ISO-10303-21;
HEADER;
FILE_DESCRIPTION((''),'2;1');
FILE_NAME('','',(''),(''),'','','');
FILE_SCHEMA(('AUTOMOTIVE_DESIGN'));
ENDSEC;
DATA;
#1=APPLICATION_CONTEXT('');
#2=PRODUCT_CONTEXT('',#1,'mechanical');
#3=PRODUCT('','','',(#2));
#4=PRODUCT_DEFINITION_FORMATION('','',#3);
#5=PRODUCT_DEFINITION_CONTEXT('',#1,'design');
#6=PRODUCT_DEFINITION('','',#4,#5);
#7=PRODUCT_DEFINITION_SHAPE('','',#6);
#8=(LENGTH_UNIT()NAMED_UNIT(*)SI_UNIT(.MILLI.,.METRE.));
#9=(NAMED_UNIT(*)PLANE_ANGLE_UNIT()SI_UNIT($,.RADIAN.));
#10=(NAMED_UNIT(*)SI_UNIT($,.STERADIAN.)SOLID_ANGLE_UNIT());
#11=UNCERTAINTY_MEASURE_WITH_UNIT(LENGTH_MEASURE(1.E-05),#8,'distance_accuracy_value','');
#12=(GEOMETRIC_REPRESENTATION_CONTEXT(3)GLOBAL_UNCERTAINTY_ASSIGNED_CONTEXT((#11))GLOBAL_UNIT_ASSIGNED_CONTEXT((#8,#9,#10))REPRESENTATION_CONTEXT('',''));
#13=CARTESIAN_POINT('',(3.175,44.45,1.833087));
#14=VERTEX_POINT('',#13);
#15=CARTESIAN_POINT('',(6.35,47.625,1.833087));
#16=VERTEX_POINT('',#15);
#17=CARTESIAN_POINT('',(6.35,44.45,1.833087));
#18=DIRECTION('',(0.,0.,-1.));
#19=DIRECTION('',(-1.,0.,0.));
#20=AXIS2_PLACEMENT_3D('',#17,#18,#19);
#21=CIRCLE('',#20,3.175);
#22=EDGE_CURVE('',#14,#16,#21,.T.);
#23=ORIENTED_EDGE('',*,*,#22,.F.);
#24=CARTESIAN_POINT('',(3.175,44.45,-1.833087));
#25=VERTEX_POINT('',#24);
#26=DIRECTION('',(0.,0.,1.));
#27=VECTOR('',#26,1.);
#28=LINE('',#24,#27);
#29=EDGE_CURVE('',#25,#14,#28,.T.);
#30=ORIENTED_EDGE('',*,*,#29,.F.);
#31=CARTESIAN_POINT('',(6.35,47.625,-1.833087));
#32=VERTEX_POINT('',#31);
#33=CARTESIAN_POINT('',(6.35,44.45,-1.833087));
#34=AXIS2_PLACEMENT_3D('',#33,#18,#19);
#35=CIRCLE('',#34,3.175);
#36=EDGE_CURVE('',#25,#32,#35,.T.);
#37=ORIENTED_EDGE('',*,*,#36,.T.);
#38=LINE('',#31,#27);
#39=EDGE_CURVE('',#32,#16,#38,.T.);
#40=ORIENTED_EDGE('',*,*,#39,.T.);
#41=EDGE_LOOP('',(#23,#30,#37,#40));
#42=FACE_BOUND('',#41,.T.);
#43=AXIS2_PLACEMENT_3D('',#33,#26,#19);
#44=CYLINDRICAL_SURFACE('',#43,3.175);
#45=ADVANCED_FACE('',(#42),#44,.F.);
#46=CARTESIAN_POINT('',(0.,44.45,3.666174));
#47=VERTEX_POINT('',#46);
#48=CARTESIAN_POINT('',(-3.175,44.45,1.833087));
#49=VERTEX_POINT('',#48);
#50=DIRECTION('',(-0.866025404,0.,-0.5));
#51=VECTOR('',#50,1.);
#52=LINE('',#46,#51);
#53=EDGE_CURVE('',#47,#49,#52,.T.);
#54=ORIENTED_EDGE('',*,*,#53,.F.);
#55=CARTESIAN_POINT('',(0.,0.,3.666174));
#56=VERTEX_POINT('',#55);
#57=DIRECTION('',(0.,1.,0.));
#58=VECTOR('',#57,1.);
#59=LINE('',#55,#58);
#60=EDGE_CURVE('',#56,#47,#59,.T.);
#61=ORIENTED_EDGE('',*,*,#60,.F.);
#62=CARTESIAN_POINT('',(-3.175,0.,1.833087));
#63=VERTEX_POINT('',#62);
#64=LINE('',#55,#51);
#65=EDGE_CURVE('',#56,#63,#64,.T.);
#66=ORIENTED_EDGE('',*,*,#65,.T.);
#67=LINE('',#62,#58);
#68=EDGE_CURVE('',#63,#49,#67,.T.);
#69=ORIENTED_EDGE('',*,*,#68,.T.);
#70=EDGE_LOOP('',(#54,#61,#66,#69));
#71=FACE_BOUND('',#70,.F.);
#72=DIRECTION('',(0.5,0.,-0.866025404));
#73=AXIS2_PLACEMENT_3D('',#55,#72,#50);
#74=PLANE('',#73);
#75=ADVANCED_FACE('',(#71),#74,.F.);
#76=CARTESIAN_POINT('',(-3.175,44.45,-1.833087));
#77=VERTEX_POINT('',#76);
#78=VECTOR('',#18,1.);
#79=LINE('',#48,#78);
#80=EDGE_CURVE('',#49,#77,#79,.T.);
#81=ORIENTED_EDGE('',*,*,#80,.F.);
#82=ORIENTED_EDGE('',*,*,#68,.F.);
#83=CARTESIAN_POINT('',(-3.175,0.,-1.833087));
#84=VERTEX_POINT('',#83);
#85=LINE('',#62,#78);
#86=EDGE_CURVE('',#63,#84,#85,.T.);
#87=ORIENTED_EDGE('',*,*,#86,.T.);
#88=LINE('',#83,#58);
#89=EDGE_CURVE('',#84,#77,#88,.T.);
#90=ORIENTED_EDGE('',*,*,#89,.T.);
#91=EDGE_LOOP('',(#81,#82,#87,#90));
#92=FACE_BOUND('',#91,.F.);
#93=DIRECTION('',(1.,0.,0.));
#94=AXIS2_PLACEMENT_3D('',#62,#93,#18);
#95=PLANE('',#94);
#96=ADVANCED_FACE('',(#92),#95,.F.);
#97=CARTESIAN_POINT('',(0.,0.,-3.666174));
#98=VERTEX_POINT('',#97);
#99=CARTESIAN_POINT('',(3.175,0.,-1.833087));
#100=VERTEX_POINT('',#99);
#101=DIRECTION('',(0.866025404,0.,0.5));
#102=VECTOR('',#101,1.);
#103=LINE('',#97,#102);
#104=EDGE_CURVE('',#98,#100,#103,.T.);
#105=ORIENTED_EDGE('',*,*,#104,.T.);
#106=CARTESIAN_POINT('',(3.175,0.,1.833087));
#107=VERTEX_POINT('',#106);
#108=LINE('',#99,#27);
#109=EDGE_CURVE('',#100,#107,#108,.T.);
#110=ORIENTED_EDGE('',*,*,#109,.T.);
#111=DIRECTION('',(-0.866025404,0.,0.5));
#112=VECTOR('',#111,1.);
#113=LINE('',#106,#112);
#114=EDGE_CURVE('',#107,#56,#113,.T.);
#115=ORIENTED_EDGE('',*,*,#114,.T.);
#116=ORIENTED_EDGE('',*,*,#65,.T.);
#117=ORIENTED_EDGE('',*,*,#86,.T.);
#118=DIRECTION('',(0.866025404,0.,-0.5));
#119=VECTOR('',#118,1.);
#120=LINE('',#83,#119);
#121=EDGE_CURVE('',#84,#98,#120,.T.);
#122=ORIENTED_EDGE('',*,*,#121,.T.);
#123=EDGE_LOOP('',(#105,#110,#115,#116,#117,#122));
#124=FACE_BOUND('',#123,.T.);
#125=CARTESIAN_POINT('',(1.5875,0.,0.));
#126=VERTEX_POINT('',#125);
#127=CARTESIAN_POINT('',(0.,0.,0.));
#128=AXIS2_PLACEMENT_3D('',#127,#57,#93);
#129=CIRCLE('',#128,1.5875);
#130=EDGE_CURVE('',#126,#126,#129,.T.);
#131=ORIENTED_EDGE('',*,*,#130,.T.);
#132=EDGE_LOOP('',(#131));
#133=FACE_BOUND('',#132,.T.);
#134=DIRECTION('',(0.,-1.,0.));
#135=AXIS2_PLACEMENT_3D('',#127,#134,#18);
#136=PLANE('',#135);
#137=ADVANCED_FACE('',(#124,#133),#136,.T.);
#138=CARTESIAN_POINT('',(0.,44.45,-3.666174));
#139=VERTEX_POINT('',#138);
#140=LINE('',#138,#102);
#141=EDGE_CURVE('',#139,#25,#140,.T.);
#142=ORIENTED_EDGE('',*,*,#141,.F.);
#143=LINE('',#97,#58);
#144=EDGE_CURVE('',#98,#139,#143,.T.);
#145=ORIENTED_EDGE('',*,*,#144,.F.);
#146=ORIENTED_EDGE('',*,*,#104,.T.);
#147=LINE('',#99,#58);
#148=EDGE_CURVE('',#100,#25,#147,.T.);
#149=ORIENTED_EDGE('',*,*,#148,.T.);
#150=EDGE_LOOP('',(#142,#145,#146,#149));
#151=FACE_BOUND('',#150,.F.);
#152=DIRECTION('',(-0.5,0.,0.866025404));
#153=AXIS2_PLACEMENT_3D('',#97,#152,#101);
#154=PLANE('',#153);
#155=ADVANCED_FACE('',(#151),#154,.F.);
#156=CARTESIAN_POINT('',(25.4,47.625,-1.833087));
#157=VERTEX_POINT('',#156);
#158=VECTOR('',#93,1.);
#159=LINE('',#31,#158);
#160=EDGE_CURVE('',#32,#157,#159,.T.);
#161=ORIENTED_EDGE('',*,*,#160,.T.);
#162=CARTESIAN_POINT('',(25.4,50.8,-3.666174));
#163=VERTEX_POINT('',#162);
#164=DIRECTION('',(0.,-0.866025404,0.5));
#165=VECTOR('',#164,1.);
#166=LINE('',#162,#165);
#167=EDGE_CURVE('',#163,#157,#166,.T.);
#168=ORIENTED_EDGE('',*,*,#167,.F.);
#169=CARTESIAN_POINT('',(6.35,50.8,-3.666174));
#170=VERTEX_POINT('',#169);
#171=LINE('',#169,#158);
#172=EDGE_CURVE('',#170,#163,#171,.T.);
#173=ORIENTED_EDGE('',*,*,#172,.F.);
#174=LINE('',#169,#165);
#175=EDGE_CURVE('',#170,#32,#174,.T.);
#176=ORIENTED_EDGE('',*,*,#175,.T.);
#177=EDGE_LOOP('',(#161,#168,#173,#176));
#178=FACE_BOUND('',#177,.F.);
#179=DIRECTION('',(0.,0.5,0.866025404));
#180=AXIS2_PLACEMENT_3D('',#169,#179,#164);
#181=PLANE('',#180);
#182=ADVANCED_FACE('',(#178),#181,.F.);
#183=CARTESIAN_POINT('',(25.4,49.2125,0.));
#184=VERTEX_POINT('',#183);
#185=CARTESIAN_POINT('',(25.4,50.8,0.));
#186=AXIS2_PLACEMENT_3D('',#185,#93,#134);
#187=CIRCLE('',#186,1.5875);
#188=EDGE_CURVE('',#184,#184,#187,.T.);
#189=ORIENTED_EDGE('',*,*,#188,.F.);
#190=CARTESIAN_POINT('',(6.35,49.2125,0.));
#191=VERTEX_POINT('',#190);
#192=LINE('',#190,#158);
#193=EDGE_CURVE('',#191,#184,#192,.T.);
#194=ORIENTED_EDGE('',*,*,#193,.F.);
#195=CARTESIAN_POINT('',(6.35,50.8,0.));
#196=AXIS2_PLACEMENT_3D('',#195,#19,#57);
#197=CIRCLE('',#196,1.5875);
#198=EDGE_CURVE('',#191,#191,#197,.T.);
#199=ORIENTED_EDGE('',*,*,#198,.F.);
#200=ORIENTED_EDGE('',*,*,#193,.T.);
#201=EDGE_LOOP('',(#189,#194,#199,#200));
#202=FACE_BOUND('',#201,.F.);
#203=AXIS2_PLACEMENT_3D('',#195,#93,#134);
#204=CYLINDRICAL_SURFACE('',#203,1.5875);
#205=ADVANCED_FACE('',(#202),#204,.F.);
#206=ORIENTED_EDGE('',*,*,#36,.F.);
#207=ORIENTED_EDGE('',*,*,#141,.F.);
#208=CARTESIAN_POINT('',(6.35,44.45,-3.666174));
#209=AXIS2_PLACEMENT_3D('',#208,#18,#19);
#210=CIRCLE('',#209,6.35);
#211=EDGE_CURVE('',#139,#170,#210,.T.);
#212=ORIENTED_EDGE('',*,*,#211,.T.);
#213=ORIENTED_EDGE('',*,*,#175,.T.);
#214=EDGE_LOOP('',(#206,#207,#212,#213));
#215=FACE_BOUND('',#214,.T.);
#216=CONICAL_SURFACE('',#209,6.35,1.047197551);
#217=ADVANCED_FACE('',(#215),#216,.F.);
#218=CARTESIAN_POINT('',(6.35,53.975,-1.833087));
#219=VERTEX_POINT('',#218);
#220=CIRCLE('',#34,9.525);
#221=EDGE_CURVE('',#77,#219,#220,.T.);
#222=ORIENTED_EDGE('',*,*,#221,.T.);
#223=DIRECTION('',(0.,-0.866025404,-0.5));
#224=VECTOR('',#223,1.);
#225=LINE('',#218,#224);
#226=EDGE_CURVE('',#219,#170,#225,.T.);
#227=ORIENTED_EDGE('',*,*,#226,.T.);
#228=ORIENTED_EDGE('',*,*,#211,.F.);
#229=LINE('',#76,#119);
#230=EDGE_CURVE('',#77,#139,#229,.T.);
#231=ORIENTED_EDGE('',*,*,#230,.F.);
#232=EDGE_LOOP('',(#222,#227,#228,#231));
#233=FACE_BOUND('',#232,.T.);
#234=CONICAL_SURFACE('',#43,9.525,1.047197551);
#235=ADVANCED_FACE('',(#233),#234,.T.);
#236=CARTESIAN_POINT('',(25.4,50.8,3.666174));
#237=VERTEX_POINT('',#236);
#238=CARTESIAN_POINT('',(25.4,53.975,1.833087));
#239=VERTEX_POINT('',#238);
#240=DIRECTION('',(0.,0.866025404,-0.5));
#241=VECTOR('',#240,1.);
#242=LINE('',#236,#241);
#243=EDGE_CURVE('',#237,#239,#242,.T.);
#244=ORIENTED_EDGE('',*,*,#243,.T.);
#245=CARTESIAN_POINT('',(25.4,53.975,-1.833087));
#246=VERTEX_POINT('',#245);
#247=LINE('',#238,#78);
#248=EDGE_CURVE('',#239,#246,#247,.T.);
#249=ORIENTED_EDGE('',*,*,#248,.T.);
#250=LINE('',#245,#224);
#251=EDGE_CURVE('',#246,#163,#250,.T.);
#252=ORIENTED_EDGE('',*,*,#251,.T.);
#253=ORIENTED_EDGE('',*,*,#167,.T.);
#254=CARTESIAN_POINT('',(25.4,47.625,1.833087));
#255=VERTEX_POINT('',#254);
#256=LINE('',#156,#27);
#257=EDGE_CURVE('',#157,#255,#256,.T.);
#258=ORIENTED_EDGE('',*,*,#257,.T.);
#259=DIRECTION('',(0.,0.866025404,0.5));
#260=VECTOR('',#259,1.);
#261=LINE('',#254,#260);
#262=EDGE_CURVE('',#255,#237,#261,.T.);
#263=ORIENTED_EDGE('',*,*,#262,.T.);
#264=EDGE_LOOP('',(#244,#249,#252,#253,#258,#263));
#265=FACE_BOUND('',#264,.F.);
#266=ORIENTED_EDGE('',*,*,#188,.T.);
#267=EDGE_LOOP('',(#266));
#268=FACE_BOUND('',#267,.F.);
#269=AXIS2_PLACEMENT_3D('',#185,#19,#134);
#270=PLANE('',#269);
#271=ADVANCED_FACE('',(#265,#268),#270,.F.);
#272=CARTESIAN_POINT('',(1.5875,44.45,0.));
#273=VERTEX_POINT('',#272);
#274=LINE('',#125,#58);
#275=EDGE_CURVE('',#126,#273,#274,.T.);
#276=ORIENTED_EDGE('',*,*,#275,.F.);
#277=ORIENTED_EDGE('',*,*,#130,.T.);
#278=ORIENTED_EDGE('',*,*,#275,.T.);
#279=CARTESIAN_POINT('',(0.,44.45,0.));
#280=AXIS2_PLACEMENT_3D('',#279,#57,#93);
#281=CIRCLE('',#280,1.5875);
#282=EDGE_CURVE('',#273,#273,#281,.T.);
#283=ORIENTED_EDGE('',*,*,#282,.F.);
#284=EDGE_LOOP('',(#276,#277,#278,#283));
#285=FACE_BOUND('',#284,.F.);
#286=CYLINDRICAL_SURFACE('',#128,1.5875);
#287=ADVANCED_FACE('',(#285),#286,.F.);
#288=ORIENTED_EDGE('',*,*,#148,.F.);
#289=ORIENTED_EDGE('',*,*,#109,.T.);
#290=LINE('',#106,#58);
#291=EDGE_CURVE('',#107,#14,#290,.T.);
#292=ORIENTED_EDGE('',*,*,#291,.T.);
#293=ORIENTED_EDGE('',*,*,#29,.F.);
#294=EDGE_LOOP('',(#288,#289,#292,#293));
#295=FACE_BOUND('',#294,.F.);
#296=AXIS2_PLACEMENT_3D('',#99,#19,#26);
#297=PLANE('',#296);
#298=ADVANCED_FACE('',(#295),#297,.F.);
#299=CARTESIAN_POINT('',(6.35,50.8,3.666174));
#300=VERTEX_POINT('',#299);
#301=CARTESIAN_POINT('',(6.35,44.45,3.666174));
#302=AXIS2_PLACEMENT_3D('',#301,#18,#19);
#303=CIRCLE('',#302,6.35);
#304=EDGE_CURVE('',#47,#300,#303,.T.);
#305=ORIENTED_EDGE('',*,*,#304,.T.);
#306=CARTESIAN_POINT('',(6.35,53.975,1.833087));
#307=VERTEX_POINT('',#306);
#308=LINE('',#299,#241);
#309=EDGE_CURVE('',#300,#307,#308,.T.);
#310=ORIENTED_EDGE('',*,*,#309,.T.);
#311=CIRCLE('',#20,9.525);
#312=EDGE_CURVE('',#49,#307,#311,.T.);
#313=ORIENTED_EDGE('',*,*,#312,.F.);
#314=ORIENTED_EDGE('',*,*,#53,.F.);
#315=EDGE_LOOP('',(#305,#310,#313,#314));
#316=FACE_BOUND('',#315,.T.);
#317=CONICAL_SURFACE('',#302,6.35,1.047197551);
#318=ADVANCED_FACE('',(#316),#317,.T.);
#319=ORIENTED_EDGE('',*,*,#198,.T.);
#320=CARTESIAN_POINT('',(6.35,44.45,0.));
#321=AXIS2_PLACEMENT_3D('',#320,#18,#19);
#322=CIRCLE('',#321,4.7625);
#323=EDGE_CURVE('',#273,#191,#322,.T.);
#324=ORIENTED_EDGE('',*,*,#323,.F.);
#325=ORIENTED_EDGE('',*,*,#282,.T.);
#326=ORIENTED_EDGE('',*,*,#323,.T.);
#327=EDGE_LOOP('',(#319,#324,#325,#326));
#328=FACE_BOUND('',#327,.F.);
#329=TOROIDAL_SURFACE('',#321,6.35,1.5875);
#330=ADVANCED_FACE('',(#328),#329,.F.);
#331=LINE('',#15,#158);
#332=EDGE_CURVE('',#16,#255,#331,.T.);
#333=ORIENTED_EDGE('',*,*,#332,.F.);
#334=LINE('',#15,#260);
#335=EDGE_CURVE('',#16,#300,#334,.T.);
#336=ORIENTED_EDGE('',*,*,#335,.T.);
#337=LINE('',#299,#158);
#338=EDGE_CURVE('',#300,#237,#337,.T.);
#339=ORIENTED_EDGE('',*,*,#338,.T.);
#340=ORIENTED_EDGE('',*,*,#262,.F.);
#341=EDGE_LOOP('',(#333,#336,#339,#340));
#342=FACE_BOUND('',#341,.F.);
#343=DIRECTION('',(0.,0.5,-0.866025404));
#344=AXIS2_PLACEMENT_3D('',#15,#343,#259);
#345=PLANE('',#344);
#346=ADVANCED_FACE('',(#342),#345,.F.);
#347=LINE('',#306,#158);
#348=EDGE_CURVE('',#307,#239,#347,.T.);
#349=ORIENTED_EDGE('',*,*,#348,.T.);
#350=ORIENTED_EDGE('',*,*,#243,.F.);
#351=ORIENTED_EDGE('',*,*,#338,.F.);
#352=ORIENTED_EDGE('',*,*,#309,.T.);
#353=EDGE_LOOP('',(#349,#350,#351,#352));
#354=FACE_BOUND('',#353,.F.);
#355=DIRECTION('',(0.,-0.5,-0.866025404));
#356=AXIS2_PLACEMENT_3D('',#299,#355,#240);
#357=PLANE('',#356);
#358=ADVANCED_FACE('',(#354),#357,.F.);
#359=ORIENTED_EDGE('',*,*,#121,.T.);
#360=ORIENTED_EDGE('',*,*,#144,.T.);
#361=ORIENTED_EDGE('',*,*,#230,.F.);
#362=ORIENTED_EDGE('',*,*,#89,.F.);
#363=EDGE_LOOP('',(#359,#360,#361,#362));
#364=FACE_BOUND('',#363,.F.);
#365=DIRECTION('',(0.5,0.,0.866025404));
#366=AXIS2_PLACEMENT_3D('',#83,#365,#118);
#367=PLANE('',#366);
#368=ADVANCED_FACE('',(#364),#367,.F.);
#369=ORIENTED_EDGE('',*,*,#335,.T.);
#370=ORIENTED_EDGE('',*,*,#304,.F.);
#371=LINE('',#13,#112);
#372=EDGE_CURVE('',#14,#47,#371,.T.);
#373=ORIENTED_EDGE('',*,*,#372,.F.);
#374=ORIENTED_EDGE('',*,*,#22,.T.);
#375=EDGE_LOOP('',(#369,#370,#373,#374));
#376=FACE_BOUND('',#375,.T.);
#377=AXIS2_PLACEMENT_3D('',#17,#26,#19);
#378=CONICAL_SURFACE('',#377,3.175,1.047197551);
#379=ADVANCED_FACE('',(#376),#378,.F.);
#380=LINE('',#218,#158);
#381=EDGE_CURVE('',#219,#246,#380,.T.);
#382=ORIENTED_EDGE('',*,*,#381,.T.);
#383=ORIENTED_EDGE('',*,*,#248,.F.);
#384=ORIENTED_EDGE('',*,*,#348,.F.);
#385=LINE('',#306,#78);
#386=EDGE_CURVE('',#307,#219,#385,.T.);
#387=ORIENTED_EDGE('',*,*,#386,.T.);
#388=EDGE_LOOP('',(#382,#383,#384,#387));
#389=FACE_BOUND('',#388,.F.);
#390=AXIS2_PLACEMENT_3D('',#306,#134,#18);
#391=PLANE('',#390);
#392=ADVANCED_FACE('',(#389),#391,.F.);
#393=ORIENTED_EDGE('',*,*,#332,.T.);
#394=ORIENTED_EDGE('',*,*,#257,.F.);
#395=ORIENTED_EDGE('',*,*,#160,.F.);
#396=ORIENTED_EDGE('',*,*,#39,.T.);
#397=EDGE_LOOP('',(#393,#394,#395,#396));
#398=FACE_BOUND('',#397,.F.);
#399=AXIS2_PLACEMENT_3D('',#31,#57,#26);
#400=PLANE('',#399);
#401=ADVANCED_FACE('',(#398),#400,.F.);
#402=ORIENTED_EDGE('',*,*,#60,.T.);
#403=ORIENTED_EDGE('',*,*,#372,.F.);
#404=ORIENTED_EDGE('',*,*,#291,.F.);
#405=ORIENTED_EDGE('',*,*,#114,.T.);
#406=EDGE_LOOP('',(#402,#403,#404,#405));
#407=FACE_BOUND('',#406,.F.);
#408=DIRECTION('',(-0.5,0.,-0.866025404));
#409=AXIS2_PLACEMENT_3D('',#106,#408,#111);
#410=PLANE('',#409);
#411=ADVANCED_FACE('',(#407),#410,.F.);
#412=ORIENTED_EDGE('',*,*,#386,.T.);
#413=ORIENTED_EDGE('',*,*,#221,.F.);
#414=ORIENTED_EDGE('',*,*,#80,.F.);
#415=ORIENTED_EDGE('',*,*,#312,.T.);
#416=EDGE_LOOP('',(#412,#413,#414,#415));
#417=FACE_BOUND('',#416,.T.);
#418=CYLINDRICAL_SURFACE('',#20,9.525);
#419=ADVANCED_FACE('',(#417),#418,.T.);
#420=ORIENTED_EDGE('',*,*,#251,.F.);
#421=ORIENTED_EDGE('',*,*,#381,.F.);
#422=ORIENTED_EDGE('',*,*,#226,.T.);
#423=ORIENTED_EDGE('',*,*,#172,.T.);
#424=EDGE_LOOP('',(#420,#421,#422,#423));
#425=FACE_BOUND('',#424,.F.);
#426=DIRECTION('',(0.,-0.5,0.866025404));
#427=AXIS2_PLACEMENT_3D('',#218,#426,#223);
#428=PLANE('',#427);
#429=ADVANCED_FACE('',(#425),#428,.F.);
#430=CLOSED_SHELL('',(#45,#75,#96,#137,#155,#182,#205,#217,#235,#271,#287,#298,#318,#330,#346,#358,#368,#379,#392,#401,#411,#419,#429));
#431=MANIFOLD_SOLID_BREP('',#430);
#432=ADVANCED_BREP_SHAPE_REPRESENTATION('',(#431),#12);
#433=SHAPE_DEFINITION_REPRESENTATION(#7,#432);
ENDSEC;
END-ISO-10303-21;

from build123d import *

# Parameters (mm, degrees)
F3_R = 1.5875


with BuildPart() as f2:
    # F2: sweep along a path in F1
    with BuildLine(Plane.XY) as f2_path:
        Line((0, 0), (0, 44.45))
        ThreePointArc((0, 44.45), (1.8598719395, 48.9401280605), (6.35, 50.8))
        Line((6.35, 50.8), (25.4, 50.8))
    # F0 (on Front) → F2 (sweep)
    with BuildSketch(Plane.XZ):
        Polygon((3.175, -1.8330871047), (3.175, 1.8330871047), (0, 3.6661742094), (-3.175, 1.8330871047), (-3.175, -1.8330871047), (0, -3.6661742094), align=None)
    sweep(path=f2_path.line)

    # F4: sweep along a path in F4_path
    with BuildLine(Plane(origin=(3.175, 0, -1.8330871047), x_dir=(-1, 0, 0), z_dir=(0, 0, 1))) as f4_path:
        Line((0, 0), (0, -44.45))
        ThreePointArc((0, -44.45), (-0.9299359697, -46.6950640303), (-3.175, -47.625))
        Line((-3.175, -47.625), (-22.225, -47.625))
    # F3 (on face) → F4 (sweep, cut)
    with BuildSketch(Plane.XZ):
        Circle(F3_R)
    sweep(path=f4_path.line, mode=Mode.SUBTRACT)


solid = f2.part
